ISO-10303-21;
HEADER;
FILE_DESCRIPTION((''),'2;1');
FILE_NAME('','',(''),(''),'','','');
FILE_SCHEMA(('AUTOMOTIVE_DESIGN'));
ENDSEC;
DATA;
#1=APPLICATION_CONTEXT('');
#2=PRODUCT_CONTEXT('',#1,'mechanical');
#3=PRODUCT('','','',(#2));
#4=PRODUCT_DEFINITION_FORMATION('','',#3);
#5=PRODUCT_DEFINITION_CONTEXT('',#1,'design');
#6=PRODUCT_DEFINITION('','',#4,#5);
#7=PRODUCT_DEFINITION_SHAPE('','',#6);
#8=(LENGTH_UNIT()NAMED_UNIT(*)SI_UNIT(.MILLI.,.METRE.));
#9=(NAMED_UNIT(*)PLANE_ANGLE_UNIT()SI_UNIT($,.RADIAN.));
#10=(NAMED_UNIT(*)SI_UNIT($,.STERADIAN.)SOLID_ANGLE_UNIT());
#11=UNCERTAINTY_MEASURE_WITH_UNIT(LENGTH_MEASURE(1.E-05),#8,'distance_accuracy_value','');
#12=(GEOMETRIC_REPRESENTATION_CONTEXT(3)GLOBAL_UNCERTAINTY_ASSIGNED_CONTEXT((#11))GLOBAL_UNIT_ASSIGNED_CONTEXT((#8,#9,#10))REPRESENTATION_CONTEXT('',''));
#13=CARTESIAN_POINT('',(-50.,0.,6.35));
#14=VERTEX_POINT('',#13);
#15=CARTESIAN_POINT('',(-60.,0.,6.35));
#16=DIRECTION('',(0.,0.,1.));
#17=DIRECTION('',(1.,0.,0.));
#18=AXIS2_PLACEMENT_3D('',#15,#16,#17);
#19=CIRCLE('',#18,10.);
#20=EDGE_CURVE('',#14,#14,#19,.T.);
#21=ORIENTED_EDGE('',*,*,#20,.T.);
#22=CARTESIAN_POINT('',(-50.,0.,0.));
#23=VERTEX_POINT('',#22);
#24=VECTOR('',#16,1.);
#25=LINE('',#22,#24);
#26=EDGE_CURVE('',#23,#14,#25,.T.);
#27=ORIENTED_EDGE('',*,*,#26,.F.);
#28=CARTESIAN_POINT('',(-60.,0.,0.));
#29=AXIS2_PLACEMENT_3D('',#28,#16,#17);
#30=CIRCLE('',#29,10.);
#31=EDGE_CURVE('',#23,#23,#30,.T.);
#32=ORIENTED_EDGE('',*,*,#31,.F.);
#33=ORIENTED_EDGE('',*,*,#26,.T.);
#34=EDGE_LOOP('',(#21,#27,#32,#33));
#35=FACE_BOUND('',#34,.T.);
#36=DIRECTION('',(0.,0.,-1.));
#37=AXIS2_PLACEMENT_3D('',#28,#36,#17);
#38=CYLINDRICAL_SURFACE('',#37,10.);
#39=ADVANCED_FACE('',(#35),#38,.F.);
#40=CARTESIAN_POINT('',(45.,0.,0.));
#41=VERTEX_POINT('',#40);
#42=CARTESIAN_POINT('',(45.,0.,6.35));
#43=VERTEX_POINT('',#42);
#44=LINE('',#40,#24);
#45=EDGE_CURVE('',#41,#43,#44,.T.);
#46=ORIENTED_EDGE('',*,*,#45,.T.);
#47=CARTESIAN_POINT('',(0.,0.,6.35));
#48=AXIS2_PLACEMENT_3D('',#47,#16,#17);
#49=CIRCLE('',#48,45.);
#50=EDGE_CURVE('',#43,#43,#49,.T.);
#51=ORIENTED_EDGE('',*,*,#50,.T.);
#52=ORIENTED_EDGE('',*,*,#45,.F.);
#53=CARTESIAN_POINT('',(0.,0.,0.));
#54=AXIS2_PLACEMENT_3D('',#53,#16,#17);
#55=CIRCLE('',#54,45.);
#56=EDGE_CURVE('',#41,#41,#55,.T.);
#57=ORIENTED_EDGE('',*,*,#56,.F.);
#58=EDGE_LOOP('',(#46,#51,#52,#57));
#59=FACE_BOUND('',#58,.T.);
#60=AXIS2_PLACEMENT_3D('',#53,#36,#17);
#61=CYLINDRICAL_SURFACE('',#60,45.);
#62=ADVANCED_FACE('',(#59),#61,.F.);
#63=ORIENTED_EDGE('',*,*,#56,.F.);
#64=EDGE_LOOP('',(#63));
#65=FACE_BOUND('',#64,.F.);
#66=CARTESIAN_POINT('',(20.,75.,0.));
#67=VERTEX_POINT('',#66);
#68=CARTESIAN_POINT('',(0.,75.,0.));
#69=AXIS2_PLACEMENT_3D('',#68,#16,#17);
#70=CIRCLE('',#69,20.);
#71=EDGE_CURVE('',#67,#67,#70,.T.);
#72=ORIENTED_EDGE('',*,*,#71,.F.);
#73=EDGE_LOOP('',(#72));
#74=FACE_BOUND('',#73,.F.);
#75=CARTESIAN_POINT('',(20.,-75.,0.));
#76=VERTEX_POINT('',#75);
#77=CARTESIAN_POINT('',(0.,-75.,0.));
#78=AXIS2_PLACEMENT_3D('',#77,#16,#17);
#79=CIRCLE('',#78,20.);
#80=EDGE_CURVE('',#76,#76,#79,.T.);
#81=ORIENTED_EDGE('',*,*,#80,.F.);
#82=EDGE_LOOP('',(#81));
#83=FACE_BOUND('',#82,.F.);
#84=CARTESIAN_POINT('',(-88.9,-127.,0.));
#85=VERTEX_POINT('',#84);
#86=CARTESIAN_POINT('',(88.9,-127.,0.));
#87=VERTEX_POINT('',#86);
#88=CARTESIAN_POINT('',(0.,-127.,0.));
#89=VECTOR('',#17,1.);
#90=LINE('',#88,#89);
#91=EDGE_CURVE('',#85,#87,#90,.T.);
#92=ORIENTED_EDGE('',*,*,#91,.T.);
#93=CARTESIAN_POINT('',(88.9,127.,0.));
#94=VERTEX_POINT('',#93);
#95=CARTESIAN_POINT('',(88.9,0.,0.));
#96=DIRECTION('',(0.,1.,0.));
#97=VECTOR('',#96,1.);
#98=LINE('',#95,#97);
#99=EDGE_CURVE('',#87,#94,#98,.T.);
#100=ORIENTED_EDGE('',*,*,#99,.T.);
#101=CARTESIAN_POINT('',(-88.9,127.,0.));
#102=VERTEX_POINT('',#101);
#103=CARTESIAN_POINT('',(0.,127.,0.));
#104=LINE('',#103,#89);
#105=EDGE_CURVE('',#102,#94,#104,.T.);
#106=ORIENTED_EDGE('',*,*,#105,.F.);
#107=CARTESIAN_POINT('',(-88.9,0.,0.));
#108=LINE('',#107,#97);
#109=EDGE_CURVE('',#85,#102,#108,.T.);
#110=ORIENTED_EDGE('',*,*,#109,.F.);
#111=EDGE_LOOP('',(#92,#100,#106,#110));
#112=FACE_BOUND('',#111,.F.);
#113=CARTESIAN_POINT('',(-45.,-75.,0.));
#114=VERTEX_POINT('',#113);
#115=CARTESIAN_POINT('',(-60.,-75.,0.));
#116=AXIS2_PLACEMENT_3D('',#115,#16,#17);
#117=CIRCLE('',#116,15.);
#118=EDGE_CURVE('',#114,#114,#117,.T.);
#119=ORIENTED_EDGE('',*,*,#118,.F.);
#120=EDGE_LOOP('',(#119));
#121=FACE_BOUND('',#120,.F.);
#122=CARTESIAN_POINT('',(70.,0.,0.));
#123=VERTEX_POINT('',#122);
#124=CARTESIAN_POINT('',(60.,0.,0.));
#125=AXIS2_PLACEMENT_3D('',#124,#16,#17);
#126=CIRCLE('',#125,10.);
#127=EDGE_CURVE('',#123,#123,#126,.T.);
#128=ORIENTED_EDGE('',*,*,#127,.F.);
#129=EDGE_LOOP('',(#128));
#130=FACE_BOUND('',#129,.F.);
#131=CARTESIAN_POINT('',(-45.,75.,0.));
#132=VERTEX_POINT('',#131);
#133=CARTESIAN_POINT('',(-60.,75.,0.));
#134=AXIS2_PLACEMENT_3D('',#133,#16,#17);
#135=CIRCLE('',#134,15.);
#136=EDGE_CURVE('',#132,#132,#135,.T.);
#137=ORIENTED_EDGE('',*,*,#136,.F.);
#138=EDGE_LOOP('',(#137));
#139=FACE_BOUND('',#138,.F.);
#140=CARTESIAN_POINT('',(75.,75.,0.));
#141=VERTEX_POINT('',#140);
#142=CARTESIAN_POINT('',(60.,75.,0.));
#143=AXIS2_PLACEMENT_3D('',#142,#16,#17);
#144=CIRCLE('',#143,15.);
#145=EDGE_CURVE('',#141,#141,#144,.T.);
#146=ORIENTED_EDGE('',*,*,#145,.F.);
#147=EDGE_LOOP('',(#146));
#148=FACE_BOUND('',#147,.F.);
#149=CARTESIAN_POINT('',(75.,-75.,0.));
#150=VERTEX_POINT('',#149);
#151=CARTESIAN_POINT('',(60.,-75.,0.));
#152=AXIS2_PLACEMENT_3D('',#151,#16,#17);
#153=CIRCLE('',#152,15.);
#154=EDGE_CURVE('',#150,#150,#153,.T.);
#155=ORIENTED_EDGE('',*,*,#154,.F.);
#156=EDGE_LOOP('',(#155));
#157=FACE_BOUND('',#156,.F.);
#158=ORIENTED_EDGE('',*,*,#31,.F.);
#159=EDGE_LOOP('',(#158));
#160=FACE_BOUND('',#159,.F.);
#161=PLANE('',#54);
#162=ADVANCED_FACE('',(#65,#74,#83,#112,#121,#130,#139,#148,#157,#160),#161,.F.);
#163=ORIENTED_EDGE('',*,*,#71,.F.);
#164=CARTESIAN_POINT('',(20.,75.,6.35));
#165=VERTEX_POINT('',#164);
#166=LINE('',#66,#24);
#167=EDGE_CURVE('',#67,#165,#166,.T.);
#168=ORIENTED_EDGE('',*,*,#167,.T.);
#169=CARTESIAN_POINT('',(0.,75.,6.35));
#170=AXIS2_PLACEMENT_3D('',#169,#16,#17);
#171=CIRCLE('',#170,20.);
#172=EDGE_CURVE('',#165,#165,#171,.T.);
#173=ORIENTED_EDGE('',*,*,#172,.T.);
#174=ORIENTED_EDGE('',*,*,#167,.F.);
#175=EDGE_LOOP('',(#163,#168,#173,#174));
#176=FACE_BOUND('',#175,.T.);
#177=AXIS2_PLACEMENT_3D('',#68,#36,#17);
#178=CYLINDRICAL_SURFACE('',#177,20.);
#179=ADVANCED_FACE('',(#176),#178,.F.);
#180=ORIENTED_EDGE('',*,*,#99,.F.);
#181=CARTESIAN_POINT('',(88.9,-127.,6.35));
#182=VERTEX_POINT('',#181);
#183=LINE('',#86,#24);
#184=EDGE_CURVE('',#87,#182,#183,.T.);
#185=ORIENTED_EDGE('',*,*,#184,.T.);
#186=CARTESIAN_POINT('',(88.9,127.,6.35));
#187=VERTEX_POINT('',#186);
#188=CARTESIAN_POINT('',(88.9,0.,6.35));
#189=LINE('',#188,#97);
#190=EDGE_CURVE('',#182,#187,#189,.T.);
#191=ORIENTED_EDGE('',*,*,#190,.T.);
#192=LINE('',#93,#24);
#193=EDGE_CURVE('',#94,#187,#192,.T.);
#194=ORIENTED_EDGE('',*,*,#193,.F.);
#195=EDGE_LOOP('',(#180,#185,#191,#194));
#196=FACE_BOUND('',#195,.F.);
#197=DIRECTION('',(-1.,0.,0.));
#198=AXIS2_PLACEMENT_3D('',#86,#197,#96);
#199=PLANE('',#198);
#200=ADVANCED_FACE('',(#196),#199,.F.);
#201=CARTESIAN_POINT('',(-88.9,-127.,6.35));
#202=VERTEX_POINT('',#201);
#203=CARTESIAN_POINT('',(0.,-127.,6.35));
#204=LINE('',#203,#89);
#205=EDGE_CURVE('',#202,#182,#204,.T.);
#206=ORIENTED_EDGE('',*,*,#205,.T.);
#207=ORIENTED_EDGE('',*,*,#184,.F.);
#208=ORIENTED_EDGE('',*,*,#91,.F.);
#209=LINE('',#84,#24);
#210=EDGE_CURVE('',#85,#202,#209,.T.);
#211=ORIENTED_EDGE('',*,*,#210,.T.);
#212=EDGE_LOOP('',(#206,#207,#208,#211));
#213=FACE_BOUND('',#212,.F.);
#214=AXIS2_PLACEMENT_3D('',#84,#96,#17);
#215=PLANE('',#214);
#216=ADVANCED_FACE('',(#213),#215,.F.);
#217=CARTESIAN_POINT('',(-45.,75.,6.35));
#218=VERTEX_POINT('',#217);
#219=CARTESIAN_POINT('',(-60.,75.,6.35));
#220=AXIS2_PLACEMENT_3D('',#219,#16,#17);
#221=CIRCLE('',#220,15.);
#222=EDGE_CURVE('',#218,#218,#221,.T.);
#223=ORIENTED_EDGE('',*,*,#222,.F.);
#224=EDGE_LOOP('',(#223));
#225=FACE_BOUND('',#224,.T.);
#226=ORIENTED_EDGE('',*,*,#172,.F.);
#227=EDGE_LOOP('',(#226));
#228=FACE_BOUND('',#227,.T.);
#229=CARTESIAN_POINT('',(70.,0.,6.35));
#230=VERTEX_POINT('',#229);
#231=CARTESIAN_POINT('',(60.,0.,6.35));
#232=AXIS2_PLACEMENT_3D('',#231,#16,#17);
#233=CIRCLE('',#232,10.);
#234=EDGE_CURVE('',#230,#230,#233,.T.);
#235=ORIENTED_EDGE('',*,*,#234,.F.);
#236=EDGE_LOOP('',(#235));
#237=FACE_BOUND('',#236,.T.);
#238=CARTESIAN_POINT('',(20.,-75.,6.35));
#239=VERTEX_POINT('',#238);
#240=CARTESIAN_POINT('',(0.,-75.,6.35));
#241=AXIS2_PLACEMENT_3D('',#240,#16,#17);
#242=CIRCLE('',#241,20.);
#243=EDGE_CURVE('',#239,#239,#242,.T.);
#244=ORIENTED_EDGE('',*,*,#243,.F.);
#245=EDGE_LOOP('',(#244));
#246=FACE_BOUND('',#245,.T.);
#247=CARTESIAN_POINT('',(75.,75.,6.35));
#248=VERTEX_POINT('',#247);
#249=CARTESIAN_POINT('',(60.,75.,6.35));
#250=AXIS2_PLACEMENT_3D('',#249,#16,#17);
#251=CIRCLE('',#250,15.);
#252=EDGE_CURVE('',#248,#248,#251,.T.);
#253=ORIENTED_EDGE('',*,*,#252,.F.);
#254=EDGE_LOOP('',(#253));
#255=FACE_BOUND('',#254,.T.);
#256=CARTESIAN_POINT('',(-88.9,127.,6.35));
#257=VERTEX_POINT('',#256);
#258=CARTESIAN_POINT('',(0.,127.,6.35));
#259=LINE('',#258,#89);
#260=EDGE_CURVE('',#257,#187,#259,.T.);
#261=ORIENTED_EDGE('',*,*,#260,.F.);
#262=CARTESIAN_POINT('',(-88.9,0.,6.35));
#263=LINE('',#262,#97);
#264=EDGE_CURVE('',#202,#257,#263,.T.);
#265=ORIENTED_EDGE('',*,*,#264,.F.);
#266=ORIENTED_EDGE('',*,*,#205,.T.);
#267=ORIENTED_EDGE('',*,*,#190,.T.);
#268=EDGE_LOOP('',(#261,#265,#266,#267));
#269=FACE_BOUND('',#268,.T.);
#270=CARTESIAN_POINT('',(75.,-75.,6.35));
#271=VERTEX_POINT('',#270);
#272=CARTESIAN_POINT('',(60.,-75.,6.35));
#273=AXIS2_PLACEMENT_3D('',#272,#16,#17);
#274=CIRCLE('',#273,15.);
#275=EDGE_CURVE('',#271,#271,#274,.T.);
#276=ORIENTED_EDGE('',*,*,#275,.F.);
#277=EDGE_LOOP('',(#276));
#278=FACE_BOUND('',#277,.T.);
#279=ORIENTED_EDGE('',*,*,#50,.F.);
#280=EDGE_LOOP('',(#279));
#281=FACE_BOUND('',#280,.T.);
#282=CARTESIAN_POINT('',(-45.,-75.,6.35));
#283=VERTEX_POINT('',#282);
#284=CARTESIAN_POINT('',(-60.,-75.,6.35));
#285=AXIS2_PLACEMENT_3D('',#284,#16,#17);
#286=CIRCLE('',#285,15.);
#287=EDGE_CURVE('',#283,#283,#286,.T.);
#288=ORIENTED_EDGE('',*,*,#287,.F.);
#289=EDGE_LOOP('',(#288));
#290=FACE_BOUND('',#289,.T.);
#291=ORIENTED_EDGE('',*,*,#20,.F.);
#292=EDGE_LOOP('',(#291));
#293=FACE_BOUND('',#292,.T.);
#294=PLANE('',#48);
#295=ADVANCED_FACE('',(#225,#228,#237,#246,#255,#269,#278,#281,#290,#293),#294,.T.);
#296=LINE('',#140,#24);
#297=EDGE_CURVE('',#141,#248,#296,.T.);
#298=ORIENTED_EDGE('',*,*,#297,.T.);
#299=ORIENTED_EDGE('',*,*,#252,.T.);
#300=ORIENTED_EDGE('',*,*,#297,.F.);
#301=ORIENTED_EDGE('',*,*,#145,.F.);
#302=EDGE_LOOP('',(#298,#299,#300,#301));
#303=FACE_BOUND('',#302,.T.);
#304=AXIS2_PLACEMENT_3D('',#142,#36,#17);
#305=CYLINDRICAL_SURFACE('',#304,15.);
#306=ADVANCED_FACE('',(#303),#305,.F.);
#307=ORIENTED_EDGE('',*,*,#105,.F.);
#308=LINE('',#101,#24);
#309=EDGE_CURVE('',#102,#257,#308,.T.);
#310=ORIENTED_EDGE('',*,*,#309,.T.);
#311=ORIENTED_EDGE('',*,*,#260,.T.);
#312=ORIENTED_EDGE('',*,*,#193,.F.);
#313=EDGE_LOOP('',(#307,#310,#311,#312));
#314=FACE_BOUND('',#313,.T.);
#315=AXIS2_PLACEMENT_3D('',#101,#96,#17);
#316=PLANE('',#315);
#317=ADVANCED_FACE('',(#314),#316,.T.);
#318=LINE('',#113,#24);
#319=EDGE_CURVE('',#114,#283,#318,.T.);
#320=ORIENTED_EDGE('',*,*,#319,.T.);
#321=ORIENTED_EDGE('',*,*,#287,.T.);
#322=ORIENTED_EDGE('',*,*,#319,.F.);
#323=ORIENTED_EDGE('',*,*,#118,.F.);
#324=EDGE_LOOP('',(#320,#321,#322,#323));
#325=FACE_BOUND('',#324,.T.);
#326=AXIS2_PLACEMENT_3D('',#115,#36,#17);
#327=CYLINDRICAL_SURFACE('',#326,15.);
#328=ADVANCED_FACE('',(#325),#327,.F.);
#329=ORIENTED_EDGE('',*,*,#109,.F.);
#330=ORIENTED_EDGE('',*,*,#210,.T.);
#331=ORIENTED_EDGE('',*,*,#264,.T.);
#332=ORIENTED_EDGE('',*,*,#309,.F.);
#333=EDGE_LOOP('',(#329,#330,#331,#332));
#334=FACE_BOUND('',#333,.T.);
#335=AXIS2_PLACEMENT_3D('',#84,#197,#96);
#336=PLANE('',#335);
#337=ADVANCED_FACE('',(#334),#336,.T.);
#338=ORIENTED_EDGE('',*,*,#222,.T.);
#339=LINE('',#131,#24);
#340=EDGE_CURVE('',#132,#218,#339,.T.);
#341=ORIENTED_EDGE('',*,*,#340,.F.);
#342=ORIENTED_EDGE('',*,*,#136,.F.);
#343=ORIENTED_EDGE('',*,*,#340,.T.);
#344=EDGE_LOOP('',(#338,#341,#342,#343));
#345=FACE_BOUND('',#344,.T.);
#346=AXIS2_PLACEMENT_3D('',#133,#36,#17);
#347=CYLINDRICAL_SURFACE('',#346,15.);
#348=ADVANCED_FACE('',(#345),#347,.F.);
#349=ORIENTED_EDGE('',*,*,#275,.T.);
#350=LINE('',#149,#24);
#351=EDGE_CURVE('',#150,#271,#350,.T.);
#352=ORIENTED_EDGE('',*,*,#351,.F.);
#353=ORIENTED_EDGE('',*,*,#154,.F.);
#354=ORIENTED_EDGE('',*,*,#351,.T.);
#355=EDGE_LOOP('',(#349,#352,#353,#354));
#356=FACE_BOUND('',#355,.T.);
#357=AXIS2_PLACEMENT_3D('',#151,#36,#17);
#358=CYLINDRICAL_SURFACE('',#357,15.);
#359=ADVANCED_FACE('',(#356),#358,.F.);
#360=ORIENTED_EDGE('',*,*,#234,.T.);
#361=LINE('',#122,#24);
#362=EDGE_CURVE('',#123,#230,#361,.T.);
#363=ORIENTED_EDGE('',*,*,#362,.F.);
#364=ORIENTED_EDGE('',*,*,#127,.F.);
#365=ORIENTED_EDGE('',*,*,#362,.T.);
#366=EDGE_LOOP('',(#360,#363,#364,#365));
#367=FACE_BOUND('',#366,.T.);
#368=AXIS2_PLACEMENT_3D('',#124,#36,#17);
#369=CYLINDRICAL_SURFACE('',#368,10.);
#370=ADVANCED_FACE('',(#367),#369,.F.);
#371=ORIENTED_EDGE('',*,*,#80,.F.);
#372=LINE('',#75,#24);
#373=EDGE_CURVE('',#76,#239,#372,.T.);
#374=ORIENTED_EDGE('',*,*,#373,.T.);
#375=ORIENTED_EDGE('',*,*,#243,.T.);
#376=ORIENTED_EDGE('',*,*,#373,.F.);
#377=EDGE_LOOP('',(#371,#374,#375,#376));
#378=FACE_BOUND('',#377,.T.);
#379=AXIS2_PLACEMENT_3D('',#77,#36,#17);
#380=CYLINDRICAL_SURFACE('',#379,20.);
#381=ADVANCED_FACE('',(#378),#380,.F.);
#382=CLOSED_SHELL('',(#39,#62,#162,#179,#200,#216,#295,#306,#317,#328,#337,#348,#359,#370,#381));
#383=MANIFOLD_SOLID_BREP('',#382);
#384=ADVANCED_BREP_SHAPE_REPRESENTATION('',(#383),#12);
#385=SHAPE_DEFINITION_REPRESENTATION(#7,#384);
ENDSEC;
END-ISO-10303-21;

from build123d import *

# Parameters (mm, degrees)
F0_W     = 177.8
F0_H     = 254
F0_R     = 15
F0_R_2   = 20
F0_R_3   = 10
F0_R_4   = 45
F1_DEPTH = 6.35


with BuildPart() as f1:
    # F0 (on Top) → F1 (new body)
    with BuildSketch(Plane.XY):
        Rectangle(F0_W, F0_H)
        with Locations((-60, -75)):
            Circle(F0_R, mode=Mode.SUBTRACT)
        with Locations((0, -75)):
            Circle(F0_R_2, mode=Mode.SUBTRACT)
        with Locations((60, -75)):
            Circle(F0_R, mode=Mode.SUBTRACT)
        with Locations((-60, 0)):
            Circle(F0_R_3, mode=Mode.SUBTRACT)
        with Locations((-60, 75)):
            Circle(F0_R, mode=Mode.SUBTRACT)
        Circle(F0_R_4, mode=Mode.SUBTRACT)
        with Locations((60, 0)):
            Circle(F0_R_3, mode=Mode.SUBTRACT)
        with Locations((0, 75)):
            Circle(F0_R_2, mode=Mode.SUBTRACT)
        with Locations((60, 75)):
            Circle(F0_R, mode=Mode.SUBTRACT)
    extrude(amount=F1_DEPTH)


solid = f1.part
